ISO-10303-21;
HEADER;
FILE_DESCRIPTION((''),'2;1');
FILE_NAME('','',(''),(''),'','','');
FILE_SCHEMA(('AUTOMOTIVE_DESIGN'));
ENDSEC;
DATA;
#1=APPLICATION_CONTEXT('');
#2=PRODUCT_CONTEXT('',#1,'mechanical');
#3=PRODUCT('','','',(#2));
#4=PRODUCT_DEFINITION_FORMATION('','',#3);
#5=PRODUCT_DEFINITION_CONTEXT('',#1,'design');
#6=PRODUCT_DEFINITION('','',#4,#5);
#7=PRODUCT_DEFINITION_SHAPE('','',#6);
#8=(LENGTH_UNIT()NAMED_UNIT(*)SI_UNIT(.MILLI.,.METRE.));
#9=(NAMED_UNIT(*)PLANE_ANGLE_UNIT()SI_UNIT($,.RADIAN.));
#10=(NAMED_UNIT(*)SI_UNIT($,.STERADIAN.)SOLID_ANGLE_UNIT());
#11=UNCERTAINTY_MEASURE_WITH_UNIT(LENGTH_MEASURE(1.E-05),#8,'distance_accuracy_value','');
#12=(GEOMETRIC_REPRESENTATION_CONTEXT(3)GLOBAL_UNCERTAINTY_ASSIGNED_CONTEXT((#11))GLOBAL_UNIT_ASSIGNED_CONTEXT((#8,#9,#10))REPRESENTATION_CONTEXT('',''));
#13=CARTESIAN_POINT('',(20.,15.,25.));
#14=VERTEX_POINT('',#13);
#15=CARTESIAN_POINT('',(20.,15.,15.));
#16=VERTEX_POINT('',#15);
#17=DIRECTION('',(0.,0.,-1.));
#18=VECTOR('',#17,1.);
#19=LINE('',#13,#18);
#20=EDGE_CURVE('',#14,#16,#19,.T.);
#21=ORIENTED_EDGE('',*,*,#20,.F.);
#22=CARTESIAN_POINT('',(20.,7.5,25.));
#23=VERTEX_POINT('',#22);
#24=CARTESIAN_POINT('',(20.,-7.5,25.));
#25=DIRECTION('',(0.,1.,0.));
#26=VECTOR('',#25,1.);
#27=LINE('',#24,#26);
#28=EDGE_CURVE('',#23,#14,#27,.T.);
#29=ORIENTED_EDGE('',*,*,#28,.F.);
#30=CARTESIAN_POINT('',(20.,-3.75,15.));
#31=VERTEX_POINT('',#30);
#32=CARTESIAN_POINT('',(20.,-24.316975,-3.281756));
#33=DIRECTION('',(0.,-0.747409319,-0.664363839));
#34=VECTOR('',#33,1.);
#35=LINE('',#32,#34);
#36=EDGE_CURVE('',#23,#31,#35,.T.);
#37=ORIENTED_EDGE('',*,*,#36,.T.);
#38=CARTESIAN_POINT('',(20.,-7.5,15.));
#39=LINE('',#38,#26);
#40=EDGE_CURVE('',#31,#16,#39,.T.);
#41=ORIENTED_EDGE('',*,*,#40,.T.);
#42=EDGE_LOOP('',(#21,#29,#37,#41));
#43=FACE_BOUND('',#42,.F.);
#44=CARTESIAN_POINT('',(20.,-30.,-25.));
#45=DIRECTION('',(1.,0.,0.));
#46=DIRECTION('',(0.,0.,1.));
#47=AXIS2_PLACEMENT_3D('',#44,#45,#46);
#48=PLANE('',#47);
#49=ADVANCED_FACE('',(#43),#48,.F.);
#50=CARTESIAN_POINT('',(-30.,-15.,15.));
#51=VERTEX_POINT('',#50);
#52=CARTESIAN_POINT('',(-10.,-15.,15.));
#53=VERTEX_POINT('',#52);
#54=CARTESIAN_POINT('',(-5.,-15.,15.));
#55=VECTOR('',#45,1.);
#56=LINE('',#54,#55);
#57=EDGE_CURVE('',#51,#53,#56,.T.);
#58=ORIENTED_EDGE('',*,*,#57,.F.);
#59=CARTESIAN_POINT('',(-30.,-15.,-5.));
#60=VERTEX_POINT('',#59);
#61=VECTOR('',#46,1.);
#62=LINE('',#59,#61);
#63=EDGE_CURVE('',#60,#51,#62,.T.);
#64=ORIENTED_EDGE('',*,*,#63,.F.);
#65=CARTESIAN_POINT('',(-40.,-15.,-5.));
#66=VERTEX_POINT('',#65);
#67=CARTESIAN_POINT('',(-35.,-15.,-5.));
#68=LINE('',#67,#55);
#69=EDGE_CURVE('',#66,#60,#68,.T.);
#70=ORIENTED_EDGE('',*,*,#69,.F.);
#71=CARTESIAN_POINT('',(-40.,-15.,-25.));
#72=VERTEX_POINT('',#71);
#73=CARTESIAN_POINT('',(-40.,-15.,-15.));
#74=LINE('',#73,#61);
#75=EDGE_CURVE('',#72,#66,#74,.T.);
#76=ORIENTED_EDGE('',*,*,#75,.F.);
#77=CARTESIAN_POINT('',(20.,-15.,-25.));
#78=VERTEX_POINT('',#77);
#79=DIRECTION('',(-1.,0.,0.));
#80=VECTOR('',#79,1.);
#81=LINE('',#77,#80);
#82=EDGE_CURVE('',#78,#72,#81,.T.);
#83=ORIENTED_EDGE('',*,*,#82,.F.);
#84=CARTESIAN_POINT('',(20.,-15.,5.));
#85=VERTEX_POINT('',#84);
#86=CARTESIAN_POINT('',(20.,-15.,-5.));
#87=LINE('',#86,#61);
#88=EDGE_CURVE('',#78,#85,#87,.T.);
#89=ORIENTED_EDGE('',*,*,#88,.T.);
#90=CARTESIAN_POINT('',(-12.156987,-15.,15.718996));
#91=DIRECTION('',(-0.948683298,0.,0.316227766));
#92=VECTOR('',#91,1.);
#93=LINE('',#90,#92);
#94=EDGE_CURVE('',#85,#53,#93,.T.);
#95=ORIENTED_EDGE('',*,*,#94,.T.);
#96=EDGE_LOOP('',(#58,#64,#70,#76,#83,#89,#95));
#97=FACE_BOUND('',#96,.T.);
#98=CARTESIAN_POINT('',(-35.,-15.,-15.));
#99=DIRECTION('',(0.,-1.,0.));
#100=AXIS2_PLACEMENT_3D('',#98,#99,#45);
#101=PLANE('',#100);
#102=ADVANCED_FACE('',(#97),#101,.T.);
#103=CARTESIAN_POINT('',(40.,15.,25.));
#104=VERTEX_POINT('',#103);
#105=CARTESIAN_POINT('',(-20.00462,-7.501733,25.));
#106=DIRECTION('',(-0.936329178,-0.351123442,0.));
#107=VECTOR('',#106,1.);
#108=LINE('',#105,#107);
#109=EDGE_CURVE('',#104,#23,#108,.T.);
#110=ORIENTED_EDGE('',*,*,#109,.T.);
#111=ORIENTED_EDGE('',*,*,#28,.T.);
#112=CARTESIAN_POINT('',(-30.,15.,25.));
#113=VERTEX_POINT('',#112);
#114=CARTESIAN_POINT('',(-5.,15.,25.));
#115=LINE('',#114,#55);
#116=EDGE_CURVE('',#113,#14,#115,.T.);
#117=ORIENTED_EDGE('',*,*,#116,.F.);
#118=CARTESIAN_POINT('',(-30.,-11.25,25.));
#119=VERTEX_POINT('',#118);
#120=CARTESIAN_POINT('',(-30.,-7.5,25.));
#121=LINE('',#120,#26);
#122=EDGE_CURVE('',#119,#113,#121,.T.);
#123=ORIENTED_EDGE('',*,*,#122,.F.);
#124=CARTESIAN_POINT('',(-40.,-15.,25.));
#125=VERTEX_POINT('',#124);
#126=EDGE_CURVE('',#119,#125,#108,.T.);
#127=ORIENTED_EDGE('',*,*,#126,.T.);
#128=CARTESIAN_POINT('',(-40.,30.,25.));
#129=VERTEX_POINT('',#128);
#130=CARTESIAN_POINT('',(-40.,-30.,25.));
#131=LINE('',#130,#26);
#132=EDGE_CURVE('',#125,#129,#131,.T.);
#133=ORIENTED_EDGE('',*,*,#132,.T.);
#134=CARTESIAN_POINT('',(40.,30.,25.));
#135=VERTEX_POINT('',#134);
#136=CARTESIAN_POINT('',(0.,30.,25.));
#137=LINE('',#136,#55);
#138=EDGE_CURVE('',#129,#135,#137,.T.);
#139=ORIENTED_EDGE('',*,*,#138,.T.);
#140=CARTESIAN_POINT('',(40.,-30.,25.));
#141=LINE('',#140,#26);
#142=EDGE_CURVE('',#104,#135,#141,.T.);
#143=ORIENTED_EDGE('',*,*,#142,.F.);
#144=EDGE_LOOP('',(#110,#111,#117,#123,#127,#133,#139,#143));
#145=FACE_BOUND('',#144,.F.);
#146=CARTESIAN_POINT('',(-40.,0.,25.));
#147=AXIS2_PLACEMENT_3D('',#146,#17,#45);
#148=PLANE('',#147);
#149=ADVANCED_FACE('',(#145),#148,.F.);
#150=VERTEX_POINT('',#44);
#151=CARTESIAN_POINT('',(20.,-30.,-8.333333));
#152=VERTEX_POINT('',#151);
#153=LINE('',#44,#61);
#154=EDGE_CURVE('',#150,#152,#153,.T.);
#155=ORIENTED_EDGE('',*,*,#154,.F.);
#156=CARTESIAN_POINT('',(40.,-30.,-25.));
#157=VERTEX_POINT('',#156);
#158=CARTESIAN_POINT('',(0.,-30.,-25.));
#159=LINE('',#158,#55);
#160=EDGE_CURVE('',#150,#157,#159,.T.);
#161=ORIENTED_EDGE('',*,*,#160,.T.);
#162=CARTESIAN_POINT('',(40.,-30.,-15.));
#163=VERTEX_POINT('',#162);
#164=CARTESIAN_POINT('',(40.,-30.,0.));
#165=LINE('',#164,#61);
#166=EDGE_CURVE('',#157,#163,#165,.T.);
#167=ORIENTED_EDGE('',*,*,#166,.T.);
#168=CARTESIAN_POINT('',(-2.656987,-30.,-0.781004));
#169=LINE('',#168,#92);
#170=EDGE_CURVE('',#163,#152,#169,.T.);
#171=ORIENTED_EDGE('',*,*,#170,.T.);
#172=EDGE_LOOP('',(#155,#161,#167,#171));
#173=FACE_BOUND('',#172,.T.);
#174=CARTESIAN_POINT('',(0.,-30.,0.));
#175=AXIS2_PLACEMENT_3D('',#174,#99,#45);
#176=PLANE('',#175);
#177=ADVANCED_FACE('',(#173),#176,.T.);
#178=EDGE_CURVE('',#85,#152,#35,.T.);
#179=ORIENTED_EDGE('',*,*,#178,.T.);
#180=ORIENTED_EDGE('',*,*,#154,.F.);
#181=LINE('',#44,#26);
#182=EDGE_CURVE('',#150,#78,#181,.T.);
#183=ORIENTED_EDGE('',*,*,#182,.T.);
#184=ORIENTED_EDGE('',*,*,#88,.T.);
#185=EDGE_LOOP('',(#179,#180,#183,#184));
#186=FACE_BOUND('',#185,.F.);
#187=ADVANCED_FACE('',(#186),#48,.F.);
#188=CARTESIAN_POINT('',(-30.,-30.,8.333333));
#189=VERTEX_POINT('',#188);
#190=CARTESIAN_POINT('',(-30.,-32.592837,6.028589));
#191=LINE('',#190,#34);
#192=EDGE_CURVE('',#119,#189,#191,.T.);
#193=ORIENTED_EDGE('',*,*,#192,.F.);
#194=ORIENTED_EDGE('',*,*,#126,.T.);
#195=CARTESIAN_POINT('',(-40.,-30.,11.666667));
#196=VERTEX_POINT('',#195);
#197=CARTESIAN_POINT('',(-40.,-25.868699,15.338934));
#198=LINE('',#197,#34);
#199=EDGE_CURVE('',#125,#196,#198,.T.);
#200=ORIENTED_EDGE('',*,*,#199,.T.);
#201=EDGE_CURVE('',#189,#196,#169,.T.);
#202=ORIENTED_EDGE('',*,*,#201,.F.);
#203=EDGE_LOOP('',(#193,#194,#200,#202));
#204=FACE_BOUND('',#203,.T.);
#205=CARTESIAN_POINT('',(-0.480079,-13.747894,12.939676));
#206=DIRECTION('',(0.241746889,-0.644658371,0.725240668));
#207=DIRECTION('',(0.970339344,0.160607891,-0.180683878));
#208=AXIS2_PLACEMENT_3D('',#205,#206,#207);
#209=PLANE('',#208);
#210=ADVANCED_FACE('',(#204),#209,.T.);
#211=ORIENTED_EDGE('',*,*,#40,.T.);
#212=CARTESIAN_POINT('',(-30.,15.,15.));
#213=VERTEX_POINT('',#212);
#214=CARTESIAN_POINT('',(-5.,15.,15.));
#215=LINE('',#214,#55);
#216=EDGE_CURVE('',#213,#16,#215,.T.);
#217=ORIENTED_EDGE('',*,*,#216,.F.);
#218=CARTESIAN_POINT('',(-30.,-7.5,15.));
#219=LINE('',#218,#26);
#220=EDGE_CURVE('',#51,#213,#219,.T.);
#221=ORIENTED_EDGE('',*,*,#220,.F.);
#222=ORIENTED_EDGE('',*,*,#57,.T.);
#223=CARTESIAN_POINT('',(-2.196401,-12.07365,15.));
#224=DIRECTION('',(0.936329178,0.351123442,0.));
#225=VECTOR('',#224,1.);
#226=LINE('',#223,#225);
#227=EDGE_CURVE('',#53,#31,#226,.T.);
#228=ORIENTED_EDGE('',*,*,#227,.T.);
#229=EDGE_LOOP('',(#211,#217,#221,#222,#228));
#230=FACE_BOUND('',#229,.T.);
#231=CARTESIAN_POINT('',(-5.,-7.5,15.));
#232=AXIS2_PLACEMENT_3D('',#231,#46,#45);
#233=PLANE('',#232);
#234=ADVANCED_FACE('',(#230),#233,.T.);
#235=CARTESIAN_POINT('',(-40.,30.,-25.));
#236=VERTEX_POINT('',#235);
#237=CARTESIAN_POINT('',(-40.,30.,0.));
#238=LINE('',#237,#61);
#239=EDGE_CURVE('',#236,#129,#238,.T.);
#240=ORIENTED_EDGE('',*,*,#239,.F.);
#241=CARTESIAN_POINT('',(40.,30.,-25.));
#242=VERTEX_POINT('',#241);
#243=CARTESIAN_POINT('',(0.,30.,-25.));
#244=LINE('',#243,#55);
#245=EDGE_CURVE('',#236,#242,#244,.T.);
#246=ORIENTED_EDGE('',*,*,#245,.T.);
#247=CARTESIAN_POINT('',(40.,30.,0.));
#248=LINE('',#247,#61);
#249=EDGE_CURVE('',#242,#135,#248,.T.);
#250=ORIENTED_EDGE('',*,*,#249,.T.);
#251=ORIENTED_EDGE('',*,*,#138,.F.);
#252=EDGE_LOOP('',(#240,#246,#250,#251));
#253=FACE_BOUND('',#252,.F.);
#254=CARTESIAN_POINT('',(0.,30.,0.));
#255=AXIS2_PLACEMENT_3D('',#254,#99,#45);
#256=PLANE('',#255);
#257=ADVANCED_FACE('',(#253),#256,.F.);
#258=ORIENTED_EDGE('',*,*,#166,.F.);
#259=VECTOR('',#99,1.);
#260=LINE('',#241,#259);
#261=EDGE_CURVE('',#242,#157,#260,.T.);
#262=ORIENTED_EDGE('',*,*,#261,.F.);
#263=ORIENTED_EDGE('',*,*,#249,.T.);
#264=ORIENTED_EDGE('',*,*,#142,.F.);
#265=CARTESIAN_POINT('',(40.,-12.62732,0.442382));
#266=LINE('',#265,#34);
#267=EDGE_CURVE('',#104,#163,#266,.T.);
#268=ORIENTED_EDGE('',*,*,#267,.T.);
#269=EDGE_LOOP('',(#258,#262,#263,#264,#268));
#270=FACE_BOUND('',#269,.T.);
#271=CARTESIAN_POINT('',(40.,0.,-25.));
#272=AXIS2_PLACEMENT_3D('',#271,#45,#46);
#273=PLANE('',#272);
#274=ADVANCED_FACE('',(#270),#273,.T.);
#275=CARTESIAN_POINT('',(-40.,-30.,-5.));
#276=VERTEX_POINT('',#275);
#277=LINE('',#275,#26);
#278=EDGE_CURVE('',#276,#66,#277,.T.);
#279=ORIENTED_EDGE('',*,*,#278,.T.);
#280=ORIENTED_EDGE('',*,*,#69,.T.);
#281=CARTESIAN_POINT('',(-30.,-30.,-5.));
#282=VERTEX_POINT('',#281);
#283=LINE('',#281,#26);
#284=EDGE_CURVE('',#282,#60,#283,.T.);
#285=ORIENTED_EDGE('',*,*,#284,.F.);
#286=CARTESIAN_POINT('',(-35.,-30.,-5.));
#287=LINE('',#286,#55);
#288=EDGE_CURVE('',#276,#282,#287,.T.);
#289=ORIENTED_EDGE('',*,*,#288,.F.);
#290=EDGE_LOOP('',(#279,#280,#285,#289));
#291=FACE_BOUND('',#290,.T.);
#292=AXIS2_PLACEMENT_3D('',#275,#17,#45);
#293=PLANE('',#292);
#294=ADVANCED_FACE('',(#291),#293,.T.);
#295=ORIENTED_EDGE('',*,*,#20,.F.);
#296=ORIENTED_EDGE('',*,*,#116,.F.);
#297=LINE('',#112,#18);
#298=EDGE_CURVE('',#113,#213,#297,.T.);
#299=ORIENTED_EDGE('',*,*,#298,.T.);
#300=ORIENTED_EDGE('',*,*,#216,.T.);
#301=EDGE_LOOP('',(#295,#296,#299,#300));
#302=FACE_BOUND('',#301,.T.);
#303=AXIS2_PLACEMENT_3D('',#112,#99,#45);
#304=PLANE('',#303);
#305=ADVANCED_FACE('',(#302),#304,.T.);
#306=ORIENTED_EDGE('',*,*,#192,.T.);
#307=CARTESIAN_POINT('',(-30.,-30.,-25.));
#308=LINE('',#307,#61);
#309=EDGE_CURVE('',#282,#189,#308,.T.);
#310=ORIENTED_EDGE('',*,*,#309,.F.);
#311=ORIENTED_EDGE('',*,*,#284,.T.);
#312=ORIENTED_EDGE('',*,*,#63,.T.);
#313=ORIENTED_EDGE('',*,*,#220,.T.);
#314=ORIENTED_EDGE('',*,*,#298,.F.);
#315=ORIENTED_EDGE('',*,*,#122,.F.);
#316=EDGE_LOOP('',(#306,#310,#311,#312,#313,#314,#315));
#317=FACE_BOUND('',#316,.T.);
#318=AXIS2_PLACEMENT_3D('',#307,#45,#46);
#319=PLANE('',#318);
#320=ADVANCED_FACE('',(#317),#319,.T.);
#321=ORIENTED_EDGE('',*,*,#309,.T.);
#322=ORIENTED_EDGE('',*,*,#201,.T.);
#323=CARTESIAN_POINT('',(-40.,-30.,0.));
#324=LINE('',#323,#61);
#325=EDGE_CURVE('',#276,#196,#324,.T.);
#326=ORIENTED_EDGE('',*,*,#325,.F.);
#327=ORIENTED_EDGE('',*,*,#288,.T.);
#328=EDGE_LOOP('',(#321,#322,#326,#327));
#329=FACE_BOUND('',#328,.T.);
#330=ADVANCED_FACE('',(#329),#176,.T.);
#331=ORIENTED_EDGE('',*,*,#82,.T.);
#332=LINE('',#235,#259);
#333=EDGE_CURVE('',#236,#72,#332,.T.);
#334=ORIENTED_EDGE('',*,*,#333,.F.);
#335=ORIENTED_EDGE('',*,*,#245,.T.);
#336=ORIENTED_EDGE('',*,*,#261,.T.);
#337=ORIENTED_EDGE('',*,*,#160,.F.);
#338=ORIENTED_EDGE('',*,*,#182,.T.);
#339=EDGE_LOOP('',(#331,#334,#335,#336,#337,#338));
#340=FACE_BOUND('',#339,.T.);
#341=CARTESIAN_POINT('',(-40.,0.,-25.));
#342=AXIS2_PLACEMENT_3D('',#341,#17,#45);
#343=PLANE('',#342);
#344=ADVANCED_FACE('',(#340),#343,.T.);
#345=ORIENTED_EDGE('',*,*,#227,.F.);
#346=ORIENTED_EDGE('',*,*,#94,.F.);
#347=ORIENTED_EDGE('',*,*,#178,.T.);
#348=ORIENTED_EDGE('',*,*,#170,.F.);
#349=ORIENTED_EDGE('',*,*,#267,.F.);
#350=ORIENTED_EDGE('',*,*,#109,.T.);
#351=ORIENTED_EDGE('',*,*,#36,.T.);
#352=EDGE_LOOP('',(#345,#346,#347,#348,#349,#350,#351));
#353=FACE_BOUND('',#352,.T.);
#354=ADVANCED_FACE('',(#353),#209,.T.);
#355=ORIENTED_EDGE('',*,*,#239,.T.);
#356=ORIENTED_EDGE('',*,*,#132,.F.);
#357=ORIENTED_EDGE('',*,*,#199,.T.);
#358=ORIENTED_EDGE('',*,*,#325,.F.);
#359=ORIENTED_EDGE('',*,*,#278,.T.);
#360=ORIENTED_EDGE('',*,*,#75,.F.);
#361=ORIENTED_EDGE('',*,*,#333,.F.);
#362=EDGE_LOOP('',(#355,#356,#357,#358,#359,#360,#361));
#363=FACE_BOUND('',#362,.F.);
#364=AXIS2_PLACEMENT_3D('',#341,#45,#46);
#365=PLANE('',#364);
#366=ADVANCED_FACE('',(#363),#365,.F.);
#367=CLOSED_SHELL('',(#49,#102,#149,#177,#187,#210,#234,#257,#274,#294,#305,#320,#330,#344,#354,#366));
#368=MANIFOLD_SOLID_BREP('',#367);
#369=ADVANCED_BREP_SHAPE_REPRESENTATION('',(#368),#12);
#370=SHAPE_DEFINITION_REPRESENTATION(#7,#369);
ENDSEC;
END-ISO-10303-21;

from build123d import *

# Parameters (mm, degrees)
F0_W      = 80
F0_H      = 50
F1_DEPTH  = 30
F2_W      = 50
F2_H      = 45
F3_DEPTH  = 10
F4_W      = 50
F4_H      = 40
F5_DEPTH  = 15
F6_W      = 10
F6_H      = 20
F7_DEPTH  = 15
F11_W     = 98.4419174492
F11_H     = 69.922182709
F12_DEPTH = 30


with BuildPart() as f1:
    # F0 (on Front) → F1 (new body, symmetric)
    with BuildSketch(Plane.XZ):
        Rectangle(F0_W, F0_H)
    extrude(amount=F1_DEPTH, both=True)

    # F2 (on face) → F3 (cut)
    with BuildSketch(Plane.XY.offset(25)):
        with Locations((-5, -7.5)):
            Rectangle(F2_W, F2_H)
    extrude(amount=-F3_DEPTH, mode=Mode.SUBTRACT)

    # F4 (on face) → F5 (cut)
    with BuildSketch(Plane.XZ.offset(30)):
        with Locations((-5, -5)):
            Rectangle(F4_W, F4_H)
    extrude(amount=-F5_DEPTH, mode=Mode.SUBTRACT)

    # F6 (on face) → F7 (cut)
    with BuildSketch(Plane.XZ.offset(30)):
        with Locations((-35, -15)):
            Rectangle(F6_W, F6_H)
    extrude(amount=-F7_DEPTH, mode=Mode.SUBTRACT)

    # F11 (on 3pt) → F12 (cut)
    with BuildSketch(Plane(origin=(4.3831168831, -11.6883116883, 13.1493506494), x_dir=(0.9703393435, 0.1606078913, -0.1806838778), z_dir=(0.2417468892, -0.6446583712, 0.7252406676))):
        with Locations((-5.011850968, -1.6786511987)):
            Rectangle(F11_W, F11_H)
    extrude(amount=F12_DEPTH, mode=Mode.SUBTRACT)


solid = f1.part
